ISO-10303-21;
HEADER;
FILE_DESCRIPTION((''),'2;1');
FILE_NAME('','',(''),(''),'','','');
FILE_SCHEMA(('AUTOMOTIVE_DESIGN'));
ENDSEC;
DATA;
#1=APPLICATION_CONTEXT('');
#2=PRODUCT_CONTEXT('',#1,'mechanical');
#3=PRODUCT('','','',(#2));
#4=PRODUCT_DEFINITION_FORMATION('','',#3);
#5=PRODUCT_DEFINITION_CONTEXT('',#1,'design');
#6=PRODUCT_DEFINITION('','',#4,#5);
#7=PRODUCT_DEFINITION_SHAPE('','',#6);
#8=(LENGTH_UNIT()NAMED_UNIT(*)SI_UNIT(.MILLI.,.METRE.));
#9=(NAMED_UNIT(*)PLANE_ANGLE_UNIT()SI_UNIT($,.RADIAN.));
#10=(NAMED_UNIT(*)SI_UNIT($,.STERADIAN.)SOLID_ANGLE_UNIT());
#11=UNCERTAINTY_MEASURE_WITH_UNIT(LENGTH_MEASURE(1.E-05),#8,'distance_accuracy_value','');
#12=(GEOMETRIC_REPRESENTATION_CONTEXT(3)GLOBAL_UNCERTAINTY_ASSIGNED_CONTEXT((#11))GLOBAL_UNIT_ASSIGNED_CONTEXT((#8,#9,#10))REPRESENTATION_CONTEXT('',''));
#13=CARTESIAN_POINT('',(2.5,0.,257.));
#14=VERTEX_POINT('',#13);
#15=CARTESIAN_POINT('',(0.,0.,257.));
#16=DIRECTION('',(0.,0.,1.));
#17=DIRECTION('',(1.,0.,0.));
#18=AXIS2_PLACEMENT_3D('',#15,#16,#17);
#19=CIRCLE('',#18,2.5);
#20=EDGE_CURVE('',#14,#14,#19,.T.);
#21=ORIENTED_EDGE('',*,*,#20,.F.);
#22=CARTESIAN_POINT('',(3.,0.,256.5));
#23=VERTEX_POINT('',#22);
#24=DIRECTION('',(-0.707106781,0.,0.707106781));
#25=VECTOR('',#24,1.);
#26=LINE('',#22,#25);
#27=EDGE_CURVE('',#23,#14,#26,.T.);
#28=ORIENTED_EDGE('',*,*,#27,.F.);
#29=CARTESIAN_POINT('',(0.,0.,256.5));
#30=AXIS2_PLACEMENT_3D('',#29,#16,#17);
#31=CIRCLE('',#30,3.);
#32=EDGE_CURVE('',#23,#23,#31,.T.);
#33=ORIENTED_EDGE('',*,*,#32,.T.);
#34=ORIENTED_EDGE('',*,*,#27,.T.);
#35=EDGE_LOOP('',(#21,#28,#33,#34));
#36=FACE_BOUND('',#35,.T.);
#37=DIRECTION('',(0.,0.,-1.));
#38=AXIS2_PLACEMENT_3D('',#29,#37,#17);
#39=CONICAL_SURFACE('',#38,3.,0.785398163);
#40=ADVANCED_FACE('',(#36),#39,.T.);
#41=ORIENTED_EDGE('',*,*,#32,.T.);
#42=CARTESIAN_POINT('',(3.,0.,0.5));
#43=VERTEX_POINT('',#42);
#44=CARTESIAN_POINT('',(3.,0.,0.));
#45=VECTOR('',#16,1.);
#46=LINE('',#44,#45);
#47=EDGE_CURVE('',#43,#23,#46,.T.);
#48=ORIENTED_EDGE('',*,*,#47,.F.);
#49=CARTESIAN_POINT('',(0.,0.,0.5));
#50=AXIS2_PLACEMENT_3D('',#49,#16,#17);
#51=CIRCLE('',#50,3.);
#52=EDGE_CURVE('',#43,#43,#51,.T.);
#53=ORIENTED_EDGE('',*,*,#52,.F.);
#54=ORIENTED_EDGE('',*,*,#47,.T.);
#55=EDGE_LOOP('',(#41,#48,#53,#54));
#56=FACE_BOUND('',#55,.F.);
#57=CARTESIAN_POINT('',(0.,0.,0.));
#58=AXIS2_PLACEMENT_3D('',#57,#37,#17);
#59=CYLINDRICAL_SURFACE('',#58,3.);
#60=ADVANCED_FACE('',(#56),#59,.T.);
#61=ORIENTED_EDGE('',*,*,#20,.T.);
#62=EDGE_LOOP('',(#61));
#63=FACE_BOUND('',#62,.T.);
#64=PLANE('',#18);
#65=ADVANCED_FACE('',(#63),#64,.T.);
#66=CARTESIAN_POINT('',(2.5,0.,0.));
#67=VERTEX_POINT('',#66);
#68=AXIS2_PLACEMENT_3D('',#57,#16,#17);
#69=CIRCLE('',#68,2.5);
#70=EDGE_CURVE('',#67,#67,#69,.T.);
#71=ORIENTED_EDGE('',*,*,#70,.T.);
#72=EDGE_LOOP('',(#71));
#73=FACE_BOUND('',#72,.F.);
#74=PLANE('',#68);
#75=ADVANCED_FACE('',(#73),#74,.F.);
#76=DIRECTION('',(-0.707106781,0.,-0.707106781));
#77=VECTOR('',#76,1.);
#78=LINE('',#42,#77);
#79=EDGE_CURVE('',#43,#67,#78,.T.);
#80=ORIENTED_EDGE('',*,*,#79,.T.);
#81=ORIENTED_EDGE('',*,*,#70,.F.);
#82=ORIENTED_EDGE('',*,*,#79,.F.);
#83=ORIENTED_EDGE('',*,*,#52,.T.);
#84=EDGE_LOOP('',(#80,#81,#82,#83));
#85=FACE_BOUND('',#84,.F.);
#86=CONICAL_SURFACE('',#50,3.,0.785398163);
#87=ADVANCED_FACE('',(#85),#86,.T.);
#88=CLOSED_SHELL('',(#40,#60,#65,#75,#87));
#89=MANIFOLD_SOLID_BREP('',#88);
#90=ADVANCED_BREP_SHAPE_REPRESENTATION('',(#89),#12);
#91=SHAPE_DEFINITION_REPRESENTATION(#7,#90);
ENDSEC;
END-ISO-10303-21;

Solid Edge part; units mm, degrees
sketch "Sketch1" plane through (0, 0, 0) normal (0, 0, 1) x (1, 0, 0)
  circle A0 centre (0, 0) radius 3
extrude "Protrusion1" add sketch "Sketch1" along normal blind 257
chamfer "Chamfer_1" distance 0.5 angle 45 2 edges at (-3, 0, 0) (-3, 0, 257)
cosmetic_thread "Thread1" size "M6"
properties material "Steel"
